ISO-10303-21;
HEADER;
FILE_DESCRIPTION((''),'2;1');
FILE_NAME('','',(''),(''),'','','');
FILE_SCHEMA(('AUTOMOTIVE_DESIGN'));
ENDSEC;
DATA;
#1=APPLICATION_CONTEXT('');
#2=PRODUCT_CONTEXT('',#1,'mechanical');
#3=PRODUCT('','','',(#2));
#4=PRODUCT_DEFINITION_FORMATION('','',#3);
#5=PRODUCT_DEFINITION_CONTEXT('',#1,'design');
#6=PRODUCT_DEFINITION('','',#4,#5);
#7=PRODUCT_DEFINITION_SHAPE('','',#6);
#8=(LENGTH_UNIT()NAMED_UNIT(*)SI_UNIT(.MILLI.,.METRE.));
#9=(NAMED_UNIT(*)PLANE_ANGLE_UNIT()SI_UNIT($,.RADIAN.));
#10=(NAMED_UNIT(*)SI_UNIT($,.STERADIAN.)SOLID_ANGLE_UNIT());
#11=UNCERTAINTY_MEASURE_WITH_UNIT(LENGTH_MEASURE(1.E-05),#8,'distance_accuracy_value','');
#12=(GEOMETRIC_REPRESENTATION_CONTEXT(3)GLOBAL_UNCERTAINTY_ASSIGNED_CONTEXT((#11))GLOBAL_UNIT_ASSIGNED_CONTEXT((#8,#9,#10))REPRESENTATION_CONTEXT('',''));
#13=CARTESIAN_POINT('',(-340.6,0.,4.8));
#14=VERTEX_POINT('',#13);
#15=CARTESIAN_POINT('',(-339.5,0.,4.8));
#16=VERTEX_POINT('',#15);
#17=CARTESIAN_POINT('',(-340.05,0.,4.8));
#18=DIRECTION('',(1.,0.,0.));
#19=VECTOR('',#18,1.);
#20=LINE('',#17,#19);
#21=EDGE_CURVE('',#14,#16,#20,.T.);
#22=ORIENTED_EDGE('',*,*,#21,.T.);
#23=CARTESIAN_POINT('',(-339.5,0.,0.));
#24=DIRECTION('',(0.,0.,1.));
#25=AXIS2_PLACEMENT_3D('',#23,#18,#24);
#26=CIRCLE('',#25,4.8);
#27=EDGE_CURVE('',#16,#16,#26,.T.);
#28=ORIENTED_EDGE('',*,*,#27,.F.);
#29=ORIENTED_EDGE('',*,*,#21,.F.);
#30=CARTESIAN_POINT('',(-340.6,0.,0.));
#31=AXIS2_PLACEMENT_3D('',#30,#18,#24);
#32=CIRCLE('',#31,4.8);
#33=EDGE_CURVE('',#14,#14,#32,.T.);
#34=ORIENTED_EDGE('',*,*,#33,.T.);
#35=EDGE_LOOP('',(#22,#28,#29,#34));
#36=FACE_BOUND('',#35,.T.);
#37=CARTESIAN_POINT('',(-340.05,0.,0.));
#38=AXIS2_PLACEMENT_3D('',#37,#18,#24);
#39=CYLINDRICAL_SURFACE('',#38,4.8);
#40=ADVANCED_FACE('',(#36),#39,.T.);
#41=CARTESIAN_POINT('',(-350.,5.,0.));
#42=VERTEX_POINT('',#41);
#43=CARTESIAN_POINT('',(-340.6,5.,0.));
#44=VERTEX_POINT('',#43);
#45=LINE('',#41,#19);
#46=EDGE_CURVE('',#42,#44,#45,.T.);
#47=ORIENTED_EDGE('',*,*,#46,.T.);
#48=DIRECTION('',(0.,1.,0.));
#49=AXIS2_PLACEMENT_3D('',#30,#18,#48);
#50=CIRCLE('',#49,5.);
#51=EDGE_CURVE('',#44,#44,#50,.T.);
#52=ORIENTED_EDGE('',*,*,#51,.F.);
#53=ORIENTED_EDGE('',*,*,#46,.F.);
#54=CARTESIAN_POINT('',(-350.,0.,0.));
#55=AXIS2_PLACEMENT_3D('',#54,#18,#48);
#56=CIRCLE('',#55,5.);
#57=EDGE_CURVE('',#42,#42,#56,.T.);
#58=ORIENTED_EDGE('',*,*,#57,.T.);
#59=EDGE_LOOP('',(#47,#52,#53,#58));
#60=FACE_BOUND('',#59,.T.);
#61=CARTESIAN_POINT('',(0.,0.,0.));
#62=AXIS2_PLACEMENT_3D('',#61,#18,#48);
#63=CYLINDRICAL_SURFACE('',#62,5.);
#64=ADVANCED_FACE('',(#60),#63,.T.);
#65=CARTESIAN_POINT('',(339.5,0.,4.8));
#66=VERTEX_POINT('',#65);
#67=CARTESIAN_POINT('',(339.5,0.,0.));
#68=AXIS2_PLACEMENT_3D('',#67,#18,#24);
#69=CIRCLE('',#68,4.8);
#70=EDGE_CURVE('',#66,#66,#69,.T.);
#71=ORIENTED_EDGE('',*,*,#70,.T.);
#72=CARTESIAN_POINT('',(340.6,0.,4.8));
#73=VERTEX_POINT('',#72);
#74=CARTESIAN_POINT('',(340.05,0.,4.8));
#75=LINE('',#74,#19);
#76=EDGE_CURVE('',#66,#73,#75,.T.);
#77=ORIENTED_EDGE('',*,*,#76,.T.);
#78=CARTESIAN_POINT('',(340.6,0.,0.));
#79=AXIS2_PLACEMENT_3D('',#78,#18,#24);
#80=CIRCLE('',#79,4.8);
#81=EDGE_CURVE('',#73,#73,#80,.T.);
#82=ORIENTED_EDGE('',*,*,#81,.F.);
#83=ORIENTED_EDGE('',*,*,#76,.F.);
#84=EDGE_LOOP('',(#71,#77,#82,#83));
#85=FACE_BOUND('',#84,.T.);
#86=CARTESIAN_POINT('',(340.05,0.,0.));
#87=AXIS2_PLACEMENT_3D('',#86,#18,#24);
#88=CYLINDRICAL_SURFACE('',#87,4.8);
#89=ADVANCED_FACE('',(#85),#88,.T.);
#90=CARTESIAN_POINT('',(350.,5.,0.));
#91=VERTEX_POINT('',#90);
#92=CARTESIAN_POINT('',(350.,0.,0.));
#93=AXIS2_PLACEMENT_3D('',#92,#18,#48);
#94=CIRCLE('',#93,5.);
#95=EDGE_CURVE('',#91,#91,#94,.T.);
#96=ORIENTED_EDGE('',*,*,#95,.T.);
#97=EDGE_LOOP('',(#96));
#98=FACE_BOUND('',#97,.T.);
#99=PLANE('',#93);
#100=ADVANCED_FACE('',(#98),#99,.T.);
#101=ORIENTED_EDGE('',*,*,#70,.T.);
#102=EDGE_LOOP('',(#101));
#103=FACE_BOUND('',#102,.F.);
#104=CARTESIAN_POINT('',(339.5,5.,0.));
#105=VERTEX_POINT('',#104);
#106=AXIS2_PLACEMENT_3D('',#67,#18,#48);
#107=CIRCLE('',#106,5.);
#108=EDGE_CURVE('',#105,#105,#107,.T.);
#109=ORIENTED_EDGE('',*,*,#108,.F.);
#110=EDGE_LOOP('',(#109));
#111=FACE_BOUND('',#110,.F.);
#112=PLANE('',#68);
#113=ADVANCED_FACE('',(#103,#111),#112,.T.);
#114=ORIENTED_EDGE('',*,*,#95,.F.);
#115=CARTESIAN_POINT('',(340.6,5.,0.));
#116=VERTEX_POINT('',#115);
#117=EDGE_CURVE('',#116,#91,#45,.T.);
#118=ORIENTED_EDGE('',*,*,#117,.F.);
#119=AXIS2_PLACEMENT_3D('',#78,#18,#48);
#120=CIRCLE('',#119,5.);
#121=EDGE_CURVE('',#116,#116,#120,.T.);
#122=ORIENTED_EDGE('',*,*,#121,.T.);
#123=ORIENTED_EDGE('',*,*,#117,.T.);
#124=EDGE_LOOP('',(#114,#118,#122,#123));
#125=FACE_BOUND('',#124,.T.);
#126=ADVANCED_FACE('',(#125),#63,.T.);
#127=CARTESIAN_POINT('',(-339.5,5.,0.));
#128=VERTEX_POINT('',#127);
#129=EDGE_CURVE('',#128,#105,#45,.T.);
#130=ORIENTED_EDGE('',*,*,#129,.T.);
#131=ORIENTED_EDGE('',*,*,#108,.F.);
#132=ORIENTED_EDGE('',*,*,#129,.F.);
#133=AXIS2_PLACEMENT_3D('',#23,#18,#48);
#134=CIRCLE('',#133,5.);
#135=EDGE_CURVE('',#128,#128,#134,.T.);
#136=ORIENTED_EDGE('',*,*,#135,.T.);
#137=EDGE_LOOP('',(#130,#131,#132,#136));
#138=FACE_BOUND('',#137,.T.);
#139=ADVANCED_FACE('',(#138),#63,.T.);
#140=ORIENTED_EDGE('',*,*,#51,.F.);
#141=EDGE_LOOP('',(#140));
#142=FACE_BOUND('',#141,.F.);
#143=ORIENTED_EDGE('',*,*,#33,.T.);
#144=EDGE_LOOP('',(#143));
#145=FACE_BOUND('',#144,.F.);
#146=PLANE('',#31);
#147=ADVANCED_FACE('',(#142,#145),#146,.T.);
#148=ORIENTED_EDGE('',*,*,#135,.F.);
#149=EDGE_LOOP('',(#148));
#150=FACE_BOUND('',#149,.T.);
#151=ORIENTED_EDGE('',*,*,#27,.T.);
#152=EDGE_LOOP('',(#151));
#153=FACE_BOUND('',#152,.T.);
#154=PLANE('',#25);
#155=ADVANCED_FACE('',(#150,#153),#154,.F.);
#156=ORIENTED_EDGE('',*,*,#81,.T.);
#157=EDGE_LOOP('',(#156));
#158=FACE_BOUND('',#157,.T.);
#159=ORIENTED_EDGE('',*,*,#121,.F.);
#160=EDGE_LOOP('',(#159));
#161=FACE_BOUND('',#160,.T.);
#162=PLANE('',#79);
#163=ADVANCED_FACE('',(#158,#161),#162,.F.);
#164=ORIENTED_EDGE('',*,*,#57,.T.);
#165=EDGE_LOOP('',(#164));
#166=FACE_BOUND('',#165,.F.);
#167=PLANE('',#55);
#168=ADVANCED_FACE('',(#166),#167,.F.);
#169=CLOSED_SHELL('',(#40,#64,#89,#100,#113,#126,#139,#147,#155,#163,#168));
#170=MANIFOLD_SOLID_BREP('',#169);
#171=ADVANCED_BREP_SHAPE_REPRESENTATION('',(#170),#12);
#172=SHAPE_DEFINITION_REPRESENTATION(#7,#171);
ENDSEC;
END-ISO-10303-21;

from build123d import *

# Parameters (mm, degrees)
F0_R     = 5
F1_DEPTH = 350
F2_W     = 1.1
F2_H     = 1


with BuildPart() as f1:
    # F0 (on Right) → F1 (new body, symmetric)
    with BuildSketch(Plane.YZ):
        Circle(F0_R)
    extrude(amount=F1_DEPTH, both=True)

    # F2 (on Front) → F3 (revolve, cut)
    with BuildSketch(Plane.XZ):
        with Locations((340.05, 5.3)):
            Rectangle(F2_W, F2_H)
        with Locations((-340.05, 5.3)):
            Rectangle(F2_W, F2_H)
    revolve(axis=Axis((186.2977445126, 0, 0), (1, 0, 0)), mode=Mode.SUBTRACT)


solid = f1.part
